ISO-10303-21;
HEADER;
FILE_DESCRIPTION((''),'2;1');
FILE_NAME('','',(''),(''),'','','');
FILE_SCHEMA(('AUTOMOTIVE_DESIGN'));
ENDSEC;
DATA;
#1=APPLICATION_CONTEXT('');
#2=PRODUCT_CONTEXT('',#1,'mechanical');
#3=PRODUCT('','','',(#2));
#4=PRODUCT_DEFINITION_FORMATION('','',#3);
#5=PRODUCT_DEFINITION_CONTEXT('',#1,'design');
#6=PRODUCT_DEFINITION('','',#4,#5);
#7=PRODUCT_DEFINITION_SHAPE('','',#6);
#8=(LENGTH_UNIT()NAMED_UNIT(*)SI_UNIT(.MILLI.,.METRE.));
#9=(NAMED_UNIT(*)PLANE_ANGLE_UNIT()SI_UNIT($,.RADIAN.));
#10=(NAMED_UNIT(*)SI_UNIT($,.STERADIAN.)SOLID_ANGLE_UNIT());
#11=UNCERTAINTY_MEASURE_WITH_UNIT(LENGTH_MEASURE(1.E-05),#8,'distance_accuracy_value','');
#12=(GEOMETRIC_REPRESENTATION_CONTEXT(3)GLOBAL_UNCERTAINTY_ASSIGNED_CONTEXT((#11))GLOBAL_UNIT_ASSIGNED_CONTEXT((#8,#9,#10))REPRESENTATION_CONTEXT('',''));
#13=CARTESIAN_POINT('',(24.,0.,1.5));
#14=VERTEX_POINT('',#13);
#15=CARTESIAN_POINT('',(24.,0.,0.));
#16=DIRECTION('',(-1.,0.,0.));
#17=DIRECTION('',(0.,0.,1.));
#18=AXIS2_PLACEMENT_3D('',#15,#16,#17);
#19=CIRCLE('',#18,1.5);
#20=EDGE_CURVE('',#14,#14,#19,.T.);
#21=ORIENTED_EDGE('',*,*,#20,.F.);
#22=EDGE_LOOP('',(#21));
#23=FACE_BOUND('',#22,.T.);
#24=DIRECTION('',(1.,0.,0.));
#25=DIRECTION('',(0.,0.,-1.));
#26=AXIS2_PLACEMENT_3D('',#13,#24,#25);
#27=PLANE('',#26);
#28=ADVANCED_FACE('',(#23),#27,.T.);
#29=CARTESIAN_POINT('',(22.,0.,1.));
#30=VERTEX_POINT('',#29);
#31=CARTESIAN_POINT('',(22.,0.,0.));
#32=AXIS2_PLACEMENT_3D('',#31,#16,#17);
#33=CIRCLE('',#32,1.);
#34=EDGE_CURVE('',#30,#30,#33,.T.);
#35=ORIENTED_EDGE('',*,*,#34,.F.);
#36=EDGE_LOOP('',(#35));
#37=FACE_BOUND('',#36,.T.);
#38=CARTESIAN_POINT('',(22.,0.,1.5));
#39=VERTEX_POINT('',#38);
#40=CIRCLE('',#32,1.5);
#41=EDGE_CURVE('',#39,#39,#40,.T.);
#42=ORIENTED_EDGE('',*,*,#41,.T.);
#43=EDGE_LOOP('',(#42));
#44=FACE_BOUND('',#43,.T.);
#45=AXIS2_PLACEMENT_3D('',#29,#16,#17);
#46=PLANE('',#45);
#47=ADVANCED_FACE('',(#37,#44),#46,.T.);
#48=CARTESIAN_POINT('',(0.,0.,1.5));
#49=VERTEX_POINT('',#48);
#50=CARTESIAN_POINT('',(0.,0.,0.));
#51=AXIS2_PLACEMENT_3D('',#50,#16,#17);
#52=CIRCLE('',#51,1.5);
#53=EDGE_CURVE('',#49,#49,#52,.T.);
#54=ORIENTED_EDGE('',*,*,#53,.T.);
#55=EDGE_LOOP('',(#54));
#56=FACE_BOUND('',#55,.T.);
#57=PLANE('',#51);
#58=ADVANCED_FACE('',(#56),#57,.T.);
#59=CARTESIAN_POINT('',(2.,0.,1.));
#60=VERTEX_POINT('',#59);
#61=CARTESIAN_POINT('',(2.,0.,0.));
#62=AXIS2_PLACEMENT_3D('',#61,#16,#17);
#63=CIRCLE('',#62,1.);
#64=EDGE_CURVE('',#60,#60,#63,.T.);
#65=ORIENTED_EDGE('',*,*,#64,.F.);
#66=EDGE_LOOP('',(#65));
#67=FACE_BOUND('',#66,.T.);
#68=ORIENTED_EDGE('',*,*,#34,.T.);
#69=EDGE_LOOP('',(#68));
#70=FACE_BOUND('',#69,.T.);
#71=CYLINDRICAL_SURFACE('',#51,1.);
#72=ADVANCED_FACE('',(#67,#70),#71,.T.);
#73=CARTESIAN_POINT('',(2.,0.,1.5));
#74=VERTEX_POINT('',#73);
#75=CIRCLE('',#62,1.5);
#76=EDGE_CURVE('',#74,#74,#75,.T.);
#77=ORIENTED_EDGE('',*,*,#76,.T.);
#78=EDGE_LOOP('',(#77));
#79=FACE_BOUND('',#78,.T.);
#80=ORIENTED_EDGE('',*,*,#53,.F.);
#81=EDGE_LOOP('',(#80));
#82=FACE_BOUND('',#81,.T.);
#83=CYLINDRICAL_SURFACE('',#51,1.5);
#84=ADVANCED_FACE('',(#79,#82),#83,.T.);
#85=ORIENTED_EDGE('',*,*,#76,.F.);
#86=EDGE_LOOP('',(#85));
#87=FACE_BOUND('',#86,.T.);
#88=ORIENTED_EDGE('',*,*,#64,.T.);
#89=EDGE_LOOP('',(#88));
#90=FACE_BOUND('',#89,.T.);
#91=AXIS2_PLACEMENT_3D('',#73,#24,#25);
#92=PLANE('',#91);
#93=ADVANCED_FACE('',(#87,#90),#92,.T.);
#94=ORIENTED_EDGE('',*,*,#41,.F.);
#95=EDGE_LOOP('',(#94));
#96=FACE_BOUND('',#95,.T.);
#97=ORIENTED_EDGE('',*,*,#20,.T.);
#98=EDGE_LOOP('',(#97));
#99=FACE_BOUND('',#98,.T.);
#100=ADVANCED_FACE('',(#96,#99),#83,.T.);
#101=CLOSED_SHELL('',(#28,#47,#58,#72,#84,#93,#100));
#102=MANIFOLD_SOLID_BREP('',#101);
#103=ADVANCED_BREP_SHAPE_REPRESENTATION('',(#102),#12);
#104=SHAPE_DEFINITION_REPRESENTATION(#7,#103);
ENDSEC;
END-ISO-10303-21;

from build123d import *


with BuildPart() as part:
    # Sketch1 → Revolve1 (revolve)
    with BuildSketch(Plane(origin=(0, 0, 0), x_dir=(1, 0, 0), z_dir=(0, 1, 0))):
        Polygon((0, 0), (0, -1.5), (2, -1.5), (2, -1), (22, -1), (22, -1.5), (24, -1.5), (24, 0), align=None)
    revolve(axis=Axis((0, 0, 0), (1, 0, 0)))


solid = part.part
